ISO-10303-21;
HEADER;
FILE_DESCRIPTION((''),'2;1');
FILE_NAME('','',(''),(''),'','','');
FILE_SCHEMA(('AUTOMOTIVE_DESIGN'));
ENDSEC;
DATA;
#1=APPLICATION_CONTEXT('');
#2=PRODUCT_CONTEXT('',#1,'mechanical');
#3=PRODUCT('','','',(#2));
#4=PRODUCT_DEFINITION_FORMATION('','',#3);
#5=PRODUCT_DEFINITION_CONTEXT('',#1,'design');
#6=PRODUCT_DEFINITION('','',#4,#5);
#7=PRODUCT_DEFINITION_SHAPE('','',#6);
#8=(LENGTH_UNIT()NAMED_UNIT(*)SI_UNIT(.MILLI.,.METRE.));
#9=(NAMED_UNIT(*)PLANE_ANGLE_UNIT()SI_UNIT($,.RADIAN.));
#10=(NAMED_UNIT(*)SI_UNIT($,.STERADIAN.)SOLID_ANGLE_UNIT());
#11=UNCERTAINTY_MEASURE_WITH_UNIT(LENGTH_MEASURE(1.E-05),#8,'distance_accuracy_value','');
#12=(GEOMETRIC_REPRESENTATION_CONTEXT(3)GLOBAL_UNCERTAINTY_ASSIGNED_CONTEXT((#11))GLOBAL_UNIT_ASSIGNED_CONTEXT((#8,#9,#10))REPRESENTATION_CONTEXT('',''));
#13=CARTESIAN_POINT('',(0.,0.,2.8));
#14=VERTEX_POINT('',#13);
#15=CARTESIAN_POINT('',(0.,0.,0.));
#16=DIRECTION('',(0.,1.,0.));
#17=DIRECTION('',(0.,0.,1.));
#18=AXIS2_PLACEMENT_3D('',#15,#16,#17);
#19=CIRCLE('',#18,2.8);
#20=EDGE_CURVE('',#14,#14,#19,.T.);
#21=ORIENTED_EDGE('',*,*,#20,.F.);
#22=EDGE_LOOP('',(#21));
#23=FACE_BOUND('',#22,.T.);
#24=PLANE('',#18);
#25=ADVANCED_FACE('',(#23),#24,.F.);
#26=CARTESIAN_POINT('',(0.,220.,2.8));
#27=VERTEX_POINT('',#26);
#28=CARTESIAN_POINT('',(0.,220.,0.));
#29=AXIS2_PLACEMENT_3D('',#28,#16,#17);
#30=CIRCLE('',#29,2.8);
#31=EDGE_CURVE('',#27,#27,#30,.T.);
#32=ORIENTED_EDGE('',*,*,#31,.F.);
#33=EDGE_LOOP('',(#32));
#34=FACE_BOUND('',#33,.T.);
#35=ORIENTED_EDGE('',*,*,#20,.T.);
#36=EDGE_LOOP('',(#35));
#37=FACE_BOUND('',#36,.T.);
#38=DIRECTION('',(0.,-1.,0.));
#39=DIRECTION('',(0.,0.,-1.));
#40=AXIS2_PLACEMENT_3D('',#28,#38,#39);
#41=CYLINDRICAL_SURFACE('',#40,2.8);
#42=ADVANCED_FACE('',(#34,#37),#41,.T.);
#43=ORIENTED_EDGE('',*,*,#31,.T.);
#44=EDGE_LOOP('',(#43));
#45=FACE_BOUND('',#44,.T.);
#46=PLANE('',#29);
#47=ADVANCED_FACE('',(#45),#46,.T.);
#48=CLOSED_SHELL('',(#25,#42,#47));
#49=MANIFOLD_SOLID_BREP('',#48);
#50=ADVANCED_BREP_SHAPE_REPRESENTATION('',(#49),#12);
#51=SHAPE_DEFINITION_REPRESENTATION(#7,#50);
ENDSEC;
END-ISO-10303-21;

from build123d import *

# Parameters (mm, degrees)
SKETCH_1_R      = 2.8
EXTRUDE_1_DEPTH = 220


with BuildPart() as part:
    # 草图1 → 凸台-拉伸1 (new body)
    with BuildSketch(Plane(origin=(0, 0, 0), x_dir=(1, 0, 0), z_dir=(0, 1, 0))):
        with Locations(Location((0, 0, 0), (0, 0, 270))):
            Circle(SKETCH_1_R)
    extrude(amount=EXTRUDE_1_DEPTH)


solid = part.part
